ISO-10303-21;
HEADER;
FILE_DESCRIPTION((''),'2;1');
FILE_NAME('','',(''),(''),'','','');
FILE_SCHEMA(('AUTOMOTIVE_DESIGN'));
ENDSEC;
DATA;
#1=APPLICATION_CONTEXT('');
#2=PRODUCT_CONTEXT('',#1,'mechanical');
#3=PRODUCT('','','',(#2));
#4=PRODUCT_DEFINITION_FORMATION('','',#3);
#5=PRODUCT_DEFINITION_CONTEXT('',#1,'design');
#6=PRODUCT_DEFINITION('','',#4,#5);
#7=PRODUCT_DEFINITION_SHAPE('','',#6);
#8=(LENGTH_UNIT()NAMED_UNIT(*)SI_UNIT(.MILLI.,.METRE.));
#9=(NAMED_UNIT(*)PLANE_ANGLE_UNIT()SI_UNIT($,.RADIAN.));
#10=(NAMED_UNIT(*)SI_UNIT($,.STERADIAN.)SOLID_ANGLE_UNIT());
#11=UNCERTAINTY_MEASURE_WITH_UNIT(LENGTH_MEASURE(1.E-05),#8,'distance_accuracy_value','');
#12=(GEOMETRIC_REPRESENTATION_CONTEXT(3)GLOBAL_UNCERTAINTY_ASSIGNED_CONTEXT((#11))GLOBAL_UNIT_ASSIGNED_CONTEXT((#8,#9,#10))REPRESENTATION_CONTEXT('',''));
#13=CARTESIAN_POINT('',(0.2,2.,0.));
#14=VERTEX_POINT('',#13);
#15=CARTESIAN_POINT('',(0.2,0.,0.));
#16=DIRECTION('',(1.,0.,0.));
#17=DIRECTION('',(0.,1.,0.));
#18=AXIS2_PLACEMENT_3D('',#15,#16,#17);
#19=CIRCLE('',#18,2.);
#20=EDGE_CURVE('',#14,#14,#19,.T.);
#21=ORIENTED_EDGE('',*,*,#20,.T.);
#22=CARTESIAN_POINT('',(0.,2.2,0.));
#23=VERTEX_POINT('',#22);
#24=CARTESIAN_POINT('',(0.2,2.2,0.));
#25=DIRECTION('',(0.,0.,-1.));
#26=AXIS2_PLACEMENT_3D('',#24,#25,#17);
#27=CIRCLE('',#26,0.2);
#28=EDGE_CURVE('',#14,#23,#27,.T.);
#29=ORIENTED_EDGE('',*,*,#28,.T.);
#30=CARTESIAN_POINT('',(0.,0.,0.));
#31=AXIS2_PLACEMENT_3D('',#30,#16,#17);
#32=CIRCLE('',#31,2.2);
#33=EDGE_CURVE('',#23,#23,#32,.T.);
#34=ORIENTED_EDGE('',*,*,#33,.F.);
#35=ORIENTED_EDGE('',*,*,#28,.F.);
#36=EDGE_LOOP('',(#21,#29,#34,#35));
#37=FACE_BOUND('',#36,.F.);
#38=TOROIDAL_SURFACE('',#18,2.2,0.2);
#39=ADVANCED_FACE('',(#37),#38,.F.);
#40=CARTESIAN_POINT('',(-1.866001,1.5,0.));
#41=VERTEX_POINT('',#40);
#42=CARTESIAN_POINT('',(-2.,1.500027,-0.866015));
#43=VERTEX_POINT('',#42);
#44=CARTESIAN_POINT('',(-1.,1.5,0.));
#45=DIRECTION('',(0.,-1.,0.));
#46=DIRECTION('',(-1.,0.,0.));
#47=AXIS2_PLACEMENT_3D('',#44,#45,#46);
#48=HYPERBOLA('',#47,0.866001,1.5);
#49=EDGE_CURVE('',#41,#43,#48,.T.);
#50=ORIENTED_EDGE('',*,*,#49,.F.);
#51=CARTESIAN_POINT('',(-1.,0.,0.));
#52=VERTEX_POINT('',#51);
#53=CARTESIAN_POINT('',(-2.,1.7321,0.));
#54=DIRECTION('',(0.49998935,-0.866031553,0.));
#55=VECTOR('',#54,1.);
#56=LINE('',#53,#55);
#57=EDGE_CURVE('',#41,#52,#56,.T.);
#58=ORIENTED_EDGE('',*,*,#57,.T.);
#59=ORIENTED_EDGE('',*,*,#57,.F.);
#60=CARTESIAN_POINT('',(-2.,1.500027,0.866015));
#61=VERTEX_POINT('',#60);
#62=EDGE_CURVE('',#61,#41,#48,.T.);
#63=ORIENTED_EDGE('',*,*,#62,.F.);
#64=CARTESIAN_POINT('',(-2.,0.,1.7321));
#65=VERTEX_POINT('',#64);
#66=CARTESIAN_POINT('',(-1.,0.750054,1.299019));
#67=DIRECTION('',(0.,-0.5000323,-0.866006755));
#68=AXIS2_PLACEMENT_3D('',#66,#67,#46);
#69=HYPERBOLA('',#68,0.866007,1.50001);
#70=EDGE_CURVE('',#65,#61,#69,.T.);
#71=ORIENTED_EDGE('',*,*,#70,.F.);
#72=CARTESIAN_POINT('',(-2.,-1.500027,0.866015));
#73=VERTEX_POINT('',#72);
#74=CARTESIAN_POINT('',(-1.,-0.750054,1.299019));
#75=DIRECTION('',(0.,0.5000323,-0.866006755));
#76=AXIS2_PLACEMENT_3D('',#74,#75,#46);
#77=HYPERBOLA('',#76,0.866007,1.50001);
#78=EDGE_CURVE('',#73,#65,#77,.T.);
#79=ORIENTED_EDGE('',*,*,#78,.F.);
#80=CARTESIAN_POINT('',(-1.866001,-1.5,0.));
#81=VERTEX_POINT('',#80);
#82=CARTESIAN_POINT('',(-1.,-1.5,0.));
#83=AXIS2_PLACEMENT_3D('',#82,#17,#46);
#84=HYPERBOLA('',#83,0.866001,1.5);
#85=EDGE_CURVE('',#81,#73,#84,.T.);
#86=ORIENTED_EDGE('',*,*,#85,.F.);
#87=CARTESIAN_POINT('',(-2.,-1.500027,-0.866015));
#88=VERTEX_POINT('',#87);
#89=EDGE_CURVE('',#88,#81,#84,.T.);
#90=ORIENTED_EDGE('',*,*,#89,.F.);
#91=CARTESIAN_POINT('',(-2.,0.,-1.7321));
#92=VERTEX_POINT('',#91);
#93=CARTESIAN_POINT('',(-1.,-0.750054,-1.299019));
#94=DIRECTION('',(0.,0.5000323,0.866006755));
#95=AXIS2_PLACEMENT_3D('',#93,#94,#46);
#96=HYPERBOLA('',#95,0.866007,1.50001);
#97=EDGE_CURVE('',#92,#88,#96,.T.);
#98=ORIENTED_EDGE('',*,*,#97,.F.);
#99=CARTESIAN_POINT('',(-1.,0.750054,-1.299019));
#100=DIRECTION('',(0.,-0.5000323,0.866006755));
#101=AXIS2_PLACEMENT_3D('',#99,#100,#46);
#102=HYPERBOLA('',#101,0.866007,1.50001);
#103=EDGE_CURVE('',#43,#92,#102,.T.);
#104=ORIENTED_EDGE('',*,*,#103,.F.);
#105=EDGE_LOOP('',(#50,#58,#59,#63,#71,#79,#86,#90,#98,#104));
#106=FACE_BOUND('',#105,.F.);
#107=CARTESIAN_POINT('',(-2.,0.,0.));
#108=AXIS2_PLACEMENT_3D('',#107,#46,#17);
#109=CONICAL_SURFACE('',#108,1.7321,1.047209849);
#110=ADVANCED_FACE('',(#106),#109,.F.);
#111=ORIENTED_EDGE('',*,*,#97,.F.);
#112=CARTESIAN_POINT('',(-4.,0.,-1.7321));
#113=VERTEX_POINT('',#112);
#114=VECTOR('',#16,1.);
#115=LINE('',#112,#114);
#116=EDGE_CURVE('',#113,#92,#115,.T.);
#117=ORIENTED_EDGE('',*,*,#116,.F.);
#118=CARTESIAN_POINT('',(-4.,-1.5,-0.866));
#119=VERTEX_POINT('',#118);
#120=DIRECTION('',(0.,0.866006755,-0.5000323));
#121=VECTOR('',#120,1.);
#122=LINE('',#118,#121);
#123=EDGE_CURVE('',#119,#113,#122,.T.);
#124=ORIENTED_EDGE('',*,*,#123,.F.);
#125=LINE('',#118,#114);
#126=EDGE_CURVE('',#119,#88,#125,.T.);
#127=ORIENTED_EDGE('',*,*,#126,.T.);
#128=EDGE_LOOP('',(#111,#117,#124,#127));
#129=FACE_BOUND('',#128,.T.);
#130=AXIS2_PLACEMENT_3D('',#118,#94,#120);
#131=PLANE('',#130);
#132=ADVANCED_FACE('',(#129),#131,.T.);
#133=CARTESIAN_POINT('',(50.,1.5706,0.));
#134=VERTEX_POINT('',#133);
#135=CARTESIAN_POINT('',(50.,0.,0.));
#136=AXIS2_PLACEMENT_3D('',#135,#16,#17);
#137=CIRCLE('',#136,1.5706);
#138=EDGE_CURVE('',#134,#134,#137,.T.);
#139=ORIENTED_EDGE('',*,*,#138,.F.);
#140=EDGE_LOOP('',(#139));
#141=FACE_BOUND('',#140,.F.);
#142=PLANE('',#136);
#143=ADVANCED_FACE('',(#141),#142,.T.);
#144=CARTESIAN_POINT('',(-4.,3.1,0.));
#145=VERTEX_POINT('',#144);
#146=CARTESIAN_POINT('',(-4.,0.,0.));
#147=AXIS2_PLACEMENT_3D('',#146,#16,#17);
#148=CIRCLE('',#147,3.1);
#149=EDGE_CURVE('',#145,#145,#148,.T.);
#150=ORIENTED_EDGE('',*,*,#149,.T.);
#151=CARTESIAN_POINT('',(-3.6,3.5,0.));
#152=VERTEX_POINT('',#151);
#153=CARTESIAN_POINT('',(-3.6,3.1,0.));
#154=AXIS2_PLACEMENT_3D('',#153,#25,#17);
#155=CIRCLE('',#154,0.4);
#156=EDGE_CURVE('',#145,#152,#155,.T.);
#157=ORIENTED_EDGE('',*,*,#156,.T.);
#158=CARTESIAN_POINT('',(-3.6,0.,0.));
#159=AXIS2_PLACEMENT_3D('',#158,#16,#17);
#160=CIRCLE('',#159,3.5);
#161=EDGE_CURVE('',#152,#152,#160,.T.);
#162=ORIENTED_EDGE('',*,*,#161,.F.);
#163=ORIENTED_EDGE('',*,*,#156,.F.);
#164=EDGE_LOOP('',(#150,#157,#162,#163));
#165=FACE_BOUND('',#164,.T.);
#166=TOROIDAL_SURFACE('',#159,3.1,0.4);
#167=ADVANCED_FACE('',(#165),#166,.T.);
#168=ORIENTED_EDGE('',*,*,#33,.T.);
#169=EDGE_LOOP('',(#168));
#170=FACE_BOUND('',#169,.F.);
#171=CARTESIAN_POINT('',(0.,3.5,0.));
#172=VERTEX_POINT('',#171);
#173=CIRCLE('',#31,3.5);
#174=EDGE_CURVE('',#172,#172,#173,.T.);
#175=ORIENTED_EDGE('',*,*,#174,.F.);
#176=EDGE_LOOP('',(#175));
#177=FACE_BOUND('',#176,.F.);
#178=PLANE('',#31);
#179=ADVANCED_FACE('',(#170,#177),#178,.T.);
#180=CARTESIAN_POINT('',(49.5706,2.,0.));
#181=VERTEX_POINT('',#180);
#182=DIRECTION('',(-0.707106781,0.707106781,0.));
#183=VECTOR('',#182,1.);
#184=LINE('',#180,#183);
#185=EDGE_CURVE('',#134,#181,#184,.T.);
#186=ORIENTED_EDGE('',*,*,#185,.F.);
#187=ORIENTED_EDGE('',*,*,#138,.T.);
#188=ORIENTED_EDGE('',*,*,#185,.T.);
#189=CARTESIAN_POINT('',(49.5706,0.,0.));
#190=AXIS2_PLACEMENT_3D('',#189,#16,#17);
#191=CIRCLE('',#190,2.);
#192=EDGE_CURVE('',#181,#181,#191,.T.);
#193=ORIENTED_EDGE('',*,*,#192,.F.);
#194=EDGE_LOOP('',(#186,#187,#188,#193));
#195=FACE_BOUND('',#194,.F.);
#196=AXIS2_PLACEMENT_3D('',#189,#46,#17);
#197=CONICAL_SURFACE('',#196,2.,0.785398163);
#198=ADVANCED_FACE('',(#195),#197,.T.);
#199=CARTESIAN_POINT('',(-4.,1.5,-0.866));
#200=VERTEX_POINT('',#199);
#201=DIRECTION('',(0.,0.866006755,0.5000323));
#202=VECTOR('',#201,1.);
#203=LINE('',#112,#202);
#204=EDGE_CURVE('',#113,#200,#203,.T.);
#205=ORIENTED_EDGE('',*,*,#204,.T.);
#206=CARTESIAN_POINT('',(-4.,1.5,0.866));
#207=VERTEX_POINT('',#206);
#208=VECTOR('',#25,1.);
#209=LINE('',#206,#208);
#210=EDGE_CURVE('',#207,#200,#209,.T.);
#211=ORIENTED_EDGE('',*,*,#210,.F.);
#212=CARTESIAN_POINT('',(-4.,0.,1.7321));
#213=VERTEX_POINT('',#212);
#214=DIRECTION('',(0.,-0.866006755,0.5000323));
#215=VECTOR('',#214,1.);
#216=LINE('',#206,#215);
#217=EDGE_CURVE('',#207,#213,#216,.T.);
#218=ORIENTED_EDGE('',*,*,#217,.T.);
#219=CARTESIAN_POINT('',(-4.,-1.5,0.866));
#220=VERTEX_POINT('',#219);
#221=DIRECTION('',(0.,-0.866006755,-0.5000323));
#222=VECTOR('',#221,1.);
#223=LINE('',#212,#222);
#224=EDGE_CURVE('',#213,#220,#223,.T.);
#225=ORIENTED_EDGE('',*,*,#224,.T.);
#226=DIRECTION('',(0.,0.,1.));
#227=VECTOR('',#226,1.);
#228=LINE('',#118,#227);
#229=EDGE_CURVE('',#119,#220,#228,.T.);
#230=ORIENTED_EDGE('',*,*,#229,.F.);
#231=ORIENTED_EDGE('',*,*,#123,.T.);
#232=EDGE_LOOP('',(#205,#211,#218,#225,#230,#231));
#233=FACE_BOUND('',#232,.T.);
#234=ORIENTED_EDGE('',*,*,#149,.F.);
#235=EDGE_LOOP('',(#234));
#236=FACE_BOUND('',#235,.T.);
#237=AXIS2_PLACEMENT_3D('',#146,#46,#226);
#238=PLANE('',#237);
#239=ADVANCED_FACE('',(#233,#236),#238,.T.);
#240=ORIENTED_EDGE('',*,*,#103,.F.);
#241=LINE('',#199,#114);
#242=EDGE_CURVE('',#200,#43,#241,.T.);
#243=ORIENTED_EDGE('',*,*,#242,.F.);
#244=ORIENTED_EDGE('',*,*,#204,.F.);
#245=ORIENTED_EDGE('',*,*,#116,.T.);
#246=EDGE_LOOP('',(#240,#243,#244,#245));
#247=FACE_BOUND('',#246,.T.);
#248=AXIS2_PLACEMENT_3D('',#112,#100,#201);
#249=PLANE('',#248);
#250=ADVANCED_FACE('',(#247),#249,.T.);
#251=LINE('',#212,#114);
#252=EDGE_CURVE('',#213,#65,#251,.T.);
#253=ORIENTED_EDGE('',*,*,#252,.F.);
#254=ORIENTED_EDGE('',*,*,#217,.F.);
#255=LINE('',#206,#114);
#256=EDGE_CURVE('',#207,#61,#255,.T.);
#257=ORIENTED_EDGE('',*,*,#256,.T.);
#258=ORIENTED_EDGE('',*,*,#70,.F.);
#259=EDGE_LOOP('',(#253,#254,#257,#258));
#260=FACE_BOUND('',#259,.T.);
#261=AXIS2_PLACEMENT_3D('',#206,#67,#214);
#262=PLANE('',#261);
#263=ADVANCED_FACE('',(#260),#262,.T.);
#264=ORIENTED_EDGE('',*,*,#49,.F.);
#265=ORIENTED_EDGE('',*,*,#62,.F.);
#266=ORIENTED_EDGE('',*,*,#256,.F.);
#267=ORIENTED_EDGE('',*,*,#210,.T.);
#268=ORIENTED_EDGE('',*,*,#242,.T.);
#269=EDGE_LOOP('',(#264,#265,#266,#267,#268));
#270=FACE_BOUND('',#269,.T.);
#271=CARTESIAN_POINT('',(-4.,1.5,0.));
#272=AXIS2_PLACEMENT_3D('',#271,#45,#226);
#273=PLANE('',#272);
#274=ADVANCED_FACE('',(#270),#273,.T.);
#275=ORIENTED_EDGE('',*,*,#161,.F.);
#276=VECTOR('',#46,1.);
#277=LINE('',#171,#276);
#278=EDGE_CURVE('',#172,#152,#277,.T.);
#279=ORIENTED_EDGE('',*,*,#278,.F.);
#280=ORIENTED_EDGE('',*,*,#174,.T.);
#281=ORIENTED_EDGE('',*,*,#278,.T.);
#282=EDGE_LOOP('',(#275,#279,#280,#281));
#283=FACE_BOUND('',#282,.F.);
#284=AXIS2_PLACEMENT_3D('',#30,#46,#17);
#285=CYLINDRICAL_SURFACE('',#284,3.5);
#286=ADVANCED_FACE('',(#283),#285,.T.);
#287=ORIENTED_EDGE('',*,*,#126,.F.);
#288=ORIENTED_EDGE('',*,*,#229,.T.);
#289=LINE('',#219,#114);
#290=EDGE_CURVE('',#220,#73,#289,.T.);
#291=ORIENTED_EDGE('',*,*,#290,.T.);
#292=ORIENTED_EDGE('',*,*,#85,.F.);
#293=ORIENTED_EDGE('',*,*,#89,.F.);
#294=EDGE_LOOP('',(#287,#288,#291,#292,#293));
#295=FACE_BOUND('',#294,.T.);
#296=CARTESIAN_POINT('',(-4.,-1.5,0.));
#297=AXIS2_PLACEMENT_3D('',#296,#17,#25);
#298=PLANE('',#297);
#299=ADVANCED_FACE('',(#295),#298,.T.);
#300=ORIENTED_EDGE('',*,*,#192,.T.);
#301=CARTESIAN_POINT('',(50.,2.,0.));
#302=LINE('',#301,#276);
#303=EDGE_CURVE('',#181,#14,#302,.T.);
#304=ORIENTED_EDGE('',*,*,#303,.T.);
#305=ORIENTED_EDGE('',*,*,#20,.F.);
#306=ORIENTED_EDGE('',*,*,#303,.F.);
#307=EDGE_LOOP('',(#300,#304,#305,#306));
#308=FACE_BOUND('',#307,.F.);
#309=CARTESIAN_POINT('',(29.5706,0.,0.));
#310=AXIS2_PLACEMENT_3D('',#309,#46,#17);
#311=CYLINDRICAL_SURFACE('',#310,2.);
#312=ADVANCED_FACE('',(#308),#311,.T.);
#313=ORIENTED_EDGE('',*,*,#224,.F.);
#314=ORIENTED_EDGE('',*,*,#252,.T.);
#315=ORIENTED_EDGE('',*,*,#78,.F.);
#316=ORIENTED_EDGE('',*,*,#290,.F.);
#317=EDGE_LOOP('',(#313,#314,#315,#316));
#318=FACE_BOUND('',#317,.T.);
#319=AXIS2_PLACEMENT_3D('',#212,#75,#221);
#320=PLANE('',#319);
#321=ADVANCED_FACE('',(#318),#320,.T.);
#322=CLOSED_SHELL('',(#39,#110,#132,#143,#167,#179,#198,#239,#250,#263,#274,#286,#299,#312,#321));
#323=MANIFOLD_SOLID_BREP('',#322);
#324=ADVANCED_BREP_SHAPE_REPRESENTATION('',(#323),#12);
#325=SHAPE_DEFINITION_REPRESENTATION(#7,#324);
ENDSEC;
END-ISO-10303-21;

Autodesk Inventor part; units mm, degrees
ref_plane "YZ Plane" through (0, 0, 0) normal (1, 0, 0) x (0, 1, 0)
ref_plane "XZ Plane" through (0, 0, 0) normal (0, 1, 0) x (-1, 0, 0)
sketch "Sketch1" plane through (0, 0, 0) normal (0, 0, 1) x (1, 0, 0)
  line L0 (-1, 0) -> (50, 0)
  line L1 (50, 0) -> (50, 2)
  line L2 (50, 2) -> (30, 2)
  line L3 (30, 2) -> (29.5706, 2)
  line L4 (29.5706, 2) -> (0, 2)
  line L5 (0, 2) -> (0, 3.5)
  line L6 (0, 3.5) -> (-4, 3.5)
  line L7 (-4, 3.5) -> (-4, 1.7321)
  line L8 (-4, 1.7321) -> (-2, 1.7321)
  line L9 (-2, 1.7321) -> (-1, 0)
  line L10 (-14.8, 0) -> (60.8, 0) projected
  line L11 (0, -0.7) -> (0, 4.2) projected
  line L12 (30, 2) -> (0, 2) construction
  dimension "d0" = 20
  dimension "d1" = 0.4294
  dimension "d2" = 4
  dimension "d3" = 2
  dimension "d4" = 60
  dimension "d5" = 4
  dimension "d6" = 4
  dimension "d7" = 3.4641
  dimension "d8" = 7
  dimension "d19" = 50
revolve "Body" add sketch "Sketch1" angle 360 about axis through (-1, 0, 0) along (1, 0, 0)
sketch "Sketch2" plane through (-4, 0, 0) normal (-1, 0, 0) x (0, 0, 1)
  circle A0 centre (0, 0) radius 1.7321 projected
  line L0 (0, -4.9) -> (0, 4.9) projected
  line L1 (-4.9, 0) -> (4.9, 0) projected
  line L2 (1.7321, 0) -> (0.866, -1.5)
  line L3 (0.866, -1.5) -> (-0.866, -1.5)
  line L4 (-0.866, -1.5) -> (-1.7321, 0)
  line L5 (-1.7321, 0) -> (-0.866, 1.5)
  line L6 (-0.866, 1.5) -> (0.866, 1.5)
  line L7 (0.866, 1.5) -> (1.7321, 0)
extrude "Slot" add sketch "Sketch2" against normal up to next contours L7 A0 | A0 L2 | L6 L0 A0 | A0 L0 L3 | L0 L6 A0 | A0 L3 L0 | L4 A0 | A0 L5
fillet "Fillet2" radius 0.4 1 edges at (-4, -3.5, 0)
thread "Thread" size "M4x0.7" class "6g" standard "ISO Metric profile" length 20
chamfer "Chamfer1" distance 0.4294 distance2 0.4294 1 edges at (50, -2, 0) measured on face at (50, -0.8158, 0.4805)
fillet "Fillet1" radius 0.2 1 edges at (0, -2, 0)
ref_plane "Work Plane1" through (30, 0, 0) normal (0, -0.5, 0.866) x (1, 0, 0)
equation "\"d0\" = GEL"
equation "\"d1\" = GAL"
equation "\"d2\" = KOH"
equation "\"d3\" = INTI"
equation "\"d5\" = GD"
equation "\"d6\" = BDM"
equation "\"d7\" = 1.1547 * SW"
equation "\"d8\" = KOD"
equation "\"d19\" = NLG"
equation "\"d16\" = RR"
equation "\"d12\" = GEL"
equation "\"d14\" = -0.5 * SPD + 0.5 * GD"
equation "\"d15\" = GUL"
equation "\"d29\" = R"
equation "\"GD\" = NND"
equation "\"NLG\" = 50"
equation "\"GEL\" = 20"
equation "\"KOD\" = 7"
equation "\"KOH\" = 4"
equation "\"INTI\" = 2"
equation "\"GAL\" = 0.61345 * PTC"
equation "\"GUL\" = 0.61345 * PTC"
equation "\"BDM\" = NND"
equation "\"SW\" = 3"
equation "\"RR\" = 0.4"
equation "\"SPD\" = 3.14117"
equation "\"d28\" = R"
equation "\"R\" = 0.2"
equation "\"TOA\" = 30deg"
equation "\"THREADDIA\" = 4"
equation "\"KOD1\" = KOD"
equation "\"PTC\" = 0.7"
equation "\"NND\" = 4"
equation "\"E0\" = 1.155 * SW"
equation "\"GD1\" = THREADDIA - 1.2269 * PTC"
properties part number "ANSI B18.3.1M - M4x0.7 x 50, BSHCSM" material "Steel, Mild"
